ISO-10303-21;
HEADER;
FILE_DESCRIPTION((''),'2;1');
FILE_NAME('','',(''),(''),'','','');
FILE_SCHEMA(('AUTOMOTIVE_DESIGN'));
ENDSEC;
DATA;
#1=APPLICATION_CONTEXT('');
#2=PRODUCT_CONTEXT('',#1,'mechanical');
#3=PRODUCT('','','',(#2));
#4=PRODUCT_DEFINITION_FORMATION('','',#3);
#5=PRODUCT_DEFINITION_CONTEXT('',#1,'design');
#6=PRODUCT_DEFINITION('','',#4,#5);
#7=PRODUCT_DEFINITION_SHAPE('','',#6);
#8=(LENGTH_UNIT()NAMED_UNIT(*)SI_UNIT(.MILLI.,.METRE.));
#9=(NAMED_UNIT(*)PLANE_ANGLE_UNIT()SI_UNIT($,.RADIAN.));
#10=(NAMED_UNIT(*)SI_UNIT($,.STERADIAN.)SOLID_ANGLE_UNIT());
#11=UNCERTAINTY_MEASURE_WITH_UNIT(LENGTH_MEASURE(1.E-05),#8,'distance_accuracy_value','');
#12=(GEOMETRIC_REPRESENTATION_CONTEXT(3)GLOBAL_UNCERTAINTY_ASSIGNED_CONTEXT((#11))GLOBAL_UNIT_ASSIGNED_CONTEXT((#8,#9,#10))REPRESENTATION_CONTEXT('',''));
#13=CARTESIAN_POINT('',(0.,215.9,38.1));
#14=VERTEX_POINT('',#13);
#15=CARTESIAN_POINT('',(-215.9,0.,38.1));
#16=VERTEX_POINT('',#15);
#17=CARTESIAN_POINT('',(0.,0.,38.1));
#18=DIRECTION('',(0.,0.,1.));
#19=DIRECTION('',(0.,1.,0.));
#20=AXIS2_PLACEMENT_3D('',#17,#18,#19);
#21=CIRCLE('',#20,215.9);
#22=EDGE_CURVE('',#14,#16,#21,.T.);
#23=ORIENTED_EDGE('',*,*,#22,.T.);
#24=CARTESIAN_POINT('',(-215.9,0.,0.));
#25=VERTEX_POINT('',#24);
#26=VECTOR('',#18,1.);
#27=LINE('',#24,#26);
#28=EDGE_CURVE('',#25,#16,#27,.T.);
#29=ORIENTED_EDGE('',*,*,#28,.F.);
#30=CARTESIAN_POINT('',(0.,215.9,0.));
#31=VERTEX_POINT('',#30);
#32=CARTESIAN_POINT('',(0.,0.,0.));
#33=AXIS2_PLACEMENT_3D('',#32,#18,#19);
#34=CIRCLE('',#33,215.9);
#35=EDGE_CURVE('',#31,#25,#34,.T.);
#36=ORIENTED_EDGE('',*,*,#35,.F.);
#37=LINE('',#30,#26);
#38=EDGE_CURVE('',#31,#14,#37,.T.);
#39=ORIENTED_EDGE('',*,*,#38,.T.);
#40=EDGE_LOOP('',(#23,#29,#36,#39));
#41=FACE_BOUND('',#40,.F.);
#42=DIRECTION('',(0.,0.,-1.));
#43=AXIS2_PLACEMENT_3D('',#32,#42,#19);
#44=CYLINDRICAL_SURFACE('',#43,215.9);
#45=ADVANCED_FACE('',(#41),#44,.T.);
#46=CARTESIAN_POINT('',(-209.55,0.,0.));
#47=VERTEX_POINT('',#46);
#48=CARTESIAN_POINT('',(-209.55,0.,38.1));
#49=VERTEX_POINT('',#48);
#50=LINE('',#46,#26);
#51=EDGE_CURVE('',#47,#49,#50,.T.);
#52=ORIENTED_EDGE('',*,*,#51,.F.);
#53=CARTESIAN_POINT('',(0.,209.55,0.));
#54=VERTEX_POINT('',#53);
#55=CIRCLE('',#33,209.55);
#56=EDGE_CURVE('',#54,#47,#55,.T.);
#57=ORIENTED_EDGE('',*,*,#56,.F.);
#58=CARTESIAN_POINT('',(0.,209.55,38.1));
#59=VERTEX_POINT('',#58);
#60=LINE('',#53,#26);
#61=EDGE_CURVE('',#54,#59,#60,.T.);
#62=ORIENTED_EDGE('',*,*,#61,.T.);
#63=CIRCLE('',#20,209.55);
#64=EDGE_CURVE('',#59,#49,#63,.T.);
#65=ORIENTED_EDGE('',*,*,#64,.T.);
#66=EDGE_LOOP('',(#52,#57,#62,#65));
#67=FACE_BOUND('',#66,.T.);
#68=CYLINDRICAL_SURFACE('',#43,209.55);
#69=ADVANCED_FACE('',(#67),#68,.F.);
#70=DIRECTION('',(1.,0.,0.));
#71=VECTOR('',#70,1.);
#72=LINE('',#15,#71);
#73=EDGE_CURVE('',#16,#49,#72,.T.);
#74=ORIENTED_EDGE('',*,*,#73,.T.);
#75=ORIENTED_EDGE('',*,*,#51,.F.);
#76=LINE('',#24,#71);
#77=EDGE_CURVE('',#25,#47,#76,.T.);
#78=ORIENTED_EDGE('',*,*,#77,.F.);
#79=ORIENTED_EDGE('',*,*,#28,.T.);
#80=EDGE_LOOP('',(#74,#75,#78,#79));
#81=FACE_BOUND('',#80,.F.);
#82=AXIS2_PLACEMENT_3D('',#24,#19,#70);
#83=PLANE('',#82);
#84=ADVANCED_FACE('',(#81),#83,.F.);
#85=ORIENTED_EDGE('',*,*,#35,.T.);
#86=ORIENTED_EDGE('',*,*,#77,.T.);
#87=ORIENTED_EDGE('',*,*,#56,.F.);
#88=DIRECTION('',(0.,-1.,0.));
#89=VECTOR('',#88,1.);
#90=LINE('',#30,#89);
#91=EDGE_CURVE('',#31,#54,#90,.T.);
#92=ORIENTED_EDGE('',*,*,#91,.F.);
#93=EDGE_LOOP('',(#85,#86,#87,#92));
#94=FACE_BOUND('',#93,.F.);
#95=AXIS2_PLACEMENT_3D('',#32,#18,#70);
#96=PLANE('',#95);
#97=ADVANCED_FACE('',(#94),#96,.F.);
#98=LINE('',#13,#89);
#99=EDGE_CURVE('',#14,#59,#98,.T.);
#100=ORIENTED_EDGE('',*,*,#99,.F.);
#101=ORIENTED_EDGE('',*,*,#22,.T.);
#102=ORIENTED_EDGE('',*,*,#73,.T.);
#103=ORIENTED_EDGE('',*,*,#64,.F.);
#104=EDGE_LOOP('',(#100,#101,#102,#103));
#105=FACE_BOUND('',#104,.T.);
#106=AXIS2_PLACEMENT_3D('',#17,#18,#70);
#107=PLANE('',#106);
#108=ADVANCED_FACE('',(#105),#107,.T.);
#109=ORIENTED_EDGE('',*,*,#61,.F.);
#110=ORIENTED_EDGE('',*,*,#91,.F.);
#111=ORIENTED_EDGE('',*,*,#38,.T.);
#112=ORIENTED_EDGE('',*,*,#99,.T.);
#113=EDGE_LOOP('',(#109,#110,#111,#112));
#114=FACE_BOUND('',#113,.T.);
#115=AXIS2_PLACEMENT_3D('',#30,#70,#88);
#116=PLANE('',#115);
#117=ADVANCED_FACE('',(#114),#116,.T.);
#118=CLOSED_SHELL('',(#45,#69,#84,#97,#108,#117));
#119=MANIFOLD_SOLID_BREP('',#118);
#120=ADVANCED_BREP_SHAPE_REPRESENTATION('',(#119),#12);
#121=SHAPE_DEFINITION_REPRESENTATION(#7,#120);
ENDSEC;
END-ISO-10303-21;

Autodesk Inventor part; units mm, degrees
ref_plane "YZ Plane" through (0, 0, 0) normal (1, 0, 0) x (0, 1, 0)
ref_plane "XZ Plane" through (0, 0, 0) normal (0, 1, 0) x (-1, 0, 0)
ref_plane "XY Plane" through (0, 0, 0) normal (0, 0, 1) x (1, 0, 0)
sketch "Sketch1" plane through (0, 0, 0) normal (0, 0, 1) x (1, 0, 0)
  arc A0 (0, 209.55) -> (-209.55, 0) centre (0, 0) ccw
  arc A1 (0, 215.9) -> (-215.9, 0) centre (0, 0) ccw
  line L0 (0, 215.9) -> (0, 209.55)
  line L1 (-215.9, 0) -> (-209.55, 0)
  dimension "d0" = 209.55
  dimension "d1" = 6.35
extrude "Extrusion1" add sketch "Sketch1" along normal blind 38.1
properties part number "Frame_FrontConveyorGuideCurve" material "Aluminum-6061"
